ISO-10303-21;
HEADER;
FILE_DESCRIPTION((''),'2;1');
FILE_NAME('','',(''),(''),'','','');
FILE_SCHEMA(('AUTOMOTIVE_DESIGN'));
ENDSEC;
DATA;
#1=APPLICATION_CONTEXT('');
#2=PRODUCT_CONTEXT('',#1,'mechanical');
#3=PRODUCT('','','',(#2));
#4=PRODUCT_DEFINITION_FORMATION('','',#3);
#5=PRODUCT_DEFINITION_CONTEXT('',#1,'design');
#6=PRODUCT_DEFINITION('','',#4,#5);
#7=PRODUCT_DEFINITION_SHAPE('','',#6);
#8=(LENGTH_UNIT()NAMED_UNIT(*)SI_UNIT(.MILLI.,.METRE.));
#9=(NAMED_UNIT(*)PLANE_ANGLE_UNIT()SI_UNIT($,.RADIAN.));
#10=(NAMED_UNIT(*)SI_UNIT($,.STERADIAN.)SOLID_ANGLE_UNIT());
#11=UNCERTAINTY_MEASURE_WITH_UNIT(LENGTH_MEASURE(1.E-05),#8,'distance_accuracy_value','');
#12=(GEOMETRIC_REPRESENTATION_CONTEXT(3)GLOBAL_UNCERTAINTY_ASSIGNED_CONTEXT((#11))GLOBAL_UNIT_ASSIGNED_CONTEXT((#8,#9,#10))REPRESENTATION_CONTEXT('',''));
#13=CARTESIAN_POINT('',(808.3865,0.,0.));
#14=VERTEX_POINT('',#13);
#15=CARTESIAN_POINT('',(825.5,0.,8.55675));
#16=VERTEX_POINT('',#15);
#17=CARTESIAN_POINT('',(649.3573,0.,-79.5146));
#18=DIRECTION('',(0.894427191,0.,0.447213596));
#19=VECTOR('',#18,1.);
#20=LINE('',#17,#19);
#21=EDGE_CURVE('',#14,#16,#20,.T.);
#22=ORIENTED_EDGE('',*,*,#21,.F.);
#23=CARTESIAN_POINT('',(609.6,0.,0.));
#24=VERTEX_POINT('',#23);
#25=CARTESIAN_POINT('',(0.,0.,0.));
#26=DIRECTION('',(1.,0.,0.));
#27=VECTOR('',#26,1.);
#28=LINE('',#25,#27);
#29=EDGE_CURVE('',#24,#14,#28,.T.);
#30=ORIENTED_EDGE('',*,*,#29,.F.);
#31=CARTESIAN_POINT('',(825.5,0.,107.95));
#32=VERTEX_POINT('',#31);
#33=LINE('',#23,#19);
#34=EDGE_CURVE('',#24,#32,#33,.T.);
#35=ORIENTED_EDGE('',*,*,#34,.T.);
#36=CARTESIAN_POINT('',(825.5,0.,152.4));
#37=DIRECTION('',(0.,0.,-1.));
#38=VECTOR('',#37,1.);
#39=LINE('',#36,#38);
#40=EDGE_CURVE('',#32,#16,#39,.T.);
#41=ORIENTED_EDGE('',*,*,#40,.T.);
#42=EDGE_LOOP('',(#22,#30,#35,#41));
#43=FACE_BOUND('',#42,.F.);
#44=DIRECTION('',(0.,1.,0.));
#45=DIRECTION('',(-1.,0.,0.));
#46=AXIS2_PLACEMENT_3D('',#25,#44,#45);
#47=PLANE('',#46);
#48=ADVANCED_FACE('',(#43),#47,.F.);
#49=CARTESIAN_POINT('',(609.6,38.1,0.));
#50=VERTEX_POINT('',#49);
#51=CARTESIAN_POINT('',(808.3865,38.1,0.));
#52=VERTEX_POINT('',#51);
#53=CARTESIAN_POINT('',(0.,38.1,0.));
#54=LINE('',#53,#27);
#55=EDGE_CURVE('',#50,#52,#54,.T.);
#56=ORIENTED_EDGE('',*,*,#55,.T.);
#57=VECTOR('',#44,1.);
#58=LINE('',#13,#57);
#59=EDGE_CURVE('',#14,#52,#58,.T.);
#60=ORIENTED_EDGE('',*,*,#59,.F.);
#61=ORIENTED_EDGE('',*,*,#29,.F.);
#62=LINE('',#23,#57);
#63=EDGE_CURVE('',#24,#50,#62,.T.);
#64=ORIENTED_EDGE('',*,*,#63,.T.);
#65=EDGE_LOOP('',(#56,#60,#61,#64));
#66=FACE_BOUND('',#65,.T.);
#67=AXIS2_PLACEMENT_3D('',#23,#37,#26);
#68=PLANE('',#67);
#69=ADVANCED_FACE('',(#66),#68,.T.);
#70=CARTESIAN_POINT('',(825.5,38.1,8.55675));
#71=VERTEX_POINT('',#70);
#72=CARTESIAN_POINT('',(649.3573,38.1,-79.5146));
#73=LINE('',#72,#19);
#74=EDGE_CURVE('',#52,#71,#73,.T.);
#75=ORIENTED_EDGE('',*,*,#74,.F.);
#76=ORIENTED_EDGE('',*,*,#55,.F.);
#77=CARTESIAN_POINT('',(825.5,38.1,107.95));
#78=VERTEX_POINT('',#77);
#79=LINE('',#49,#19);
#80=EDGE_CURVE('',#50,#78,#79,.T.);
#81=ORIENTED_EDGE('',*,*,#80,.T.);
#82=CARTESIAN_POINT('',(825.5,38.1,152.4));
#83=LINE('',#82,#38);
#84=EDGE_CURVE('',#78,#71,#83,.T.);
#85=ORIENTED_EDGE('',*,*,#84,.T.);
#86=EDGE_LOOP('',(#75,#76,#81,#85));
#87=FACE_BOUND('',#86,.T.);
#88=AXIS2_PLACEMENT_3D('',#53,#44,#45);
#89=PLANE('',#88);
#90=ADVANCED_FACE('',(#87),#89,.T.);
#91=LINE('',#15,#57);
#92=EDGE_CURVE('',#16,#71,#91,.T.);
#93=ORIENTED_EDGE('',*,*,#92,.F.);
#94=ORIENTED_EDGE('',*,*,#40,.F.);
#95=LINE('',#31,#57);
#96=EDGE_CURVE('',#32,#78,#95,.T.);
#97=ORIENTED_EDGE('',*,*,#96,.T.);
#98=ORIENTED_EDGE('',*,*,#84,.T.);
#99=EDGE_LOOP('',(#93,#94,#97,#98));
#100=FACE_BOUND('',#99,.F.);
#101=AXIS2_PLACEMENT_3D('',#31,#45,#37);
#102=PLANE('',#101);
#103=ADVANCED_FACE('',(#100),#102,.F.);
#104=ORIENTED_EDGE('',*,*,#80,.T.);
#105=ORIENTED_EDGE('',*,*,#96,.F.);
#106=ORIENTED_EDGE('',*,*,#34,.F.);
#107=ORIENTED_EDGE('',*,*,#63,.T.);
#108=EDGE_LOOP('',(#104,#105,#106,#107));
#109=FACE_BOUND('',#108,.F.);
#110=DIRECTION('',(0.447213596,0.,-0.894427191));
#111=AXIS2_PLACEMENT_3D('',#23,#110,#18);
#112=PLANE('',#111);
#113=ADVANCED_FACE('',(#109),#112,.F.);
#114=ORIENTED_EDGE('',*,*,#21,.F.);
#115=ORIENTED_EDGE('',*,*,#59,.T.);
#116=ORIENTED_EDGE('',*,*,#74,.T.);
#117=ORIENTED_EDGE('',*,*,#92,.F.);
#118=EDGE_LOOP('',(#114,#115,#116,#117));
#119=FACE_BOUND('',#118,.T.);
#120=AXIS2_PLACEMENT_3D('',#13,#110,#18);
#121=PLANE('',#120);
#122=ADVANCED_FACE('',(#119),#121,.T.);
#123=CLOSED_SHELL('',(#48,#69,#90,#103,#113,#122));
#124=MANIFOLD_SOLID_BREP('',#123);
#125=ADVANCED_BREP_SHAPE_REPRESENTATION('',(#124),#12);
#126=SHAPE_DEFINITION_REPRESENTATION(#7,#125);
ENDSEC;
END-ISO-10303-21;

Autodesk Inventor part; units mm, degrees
ref_plane "YZ Plane" through (0, 0, 0) normal (1, 0, 0) x (0, 1, 0)
ref_plane "XZ Plane" through (0, 0, 0) normal (0, 1, 0) x (-1, 0, 0)
ref_plane "XY Plane" through (0, 0, 0) normal (0, 0, 1) x (1, 0, 0)
sketch "Sketch1" plane through (0, 0, 0) normal (0, 1, 0) x (-1, 0, 0)
  line L0 (0, 0) -> (-914.4, 0)
  line L1 (-914.4, 0) -> (-914.4, -762)
  line L2 (-914.4, 0) -> (-914.4, 152.4)
  line L3 (0, 0) -> (0, 304.8)
  line L4 (0, 0) -> (-609.6, 0)
  line L5 (-609.6, 0) -> (0, 304.8)
  line L6 (-609.6, 0) -> (-914.4, 152.4)
  line L7 (-914.4, 152.4) -> (-825.5, 152.4)
  line L8 (-825.5, 152.4) -> (-825.5, 0)
  line L9 (-825.5, 0) -> (-825.5, -762)
  line L10 (-825.5, -762) -> (-914.4, -762)
  line L11 (-609.6, 0) -> (-649.3573, -79.5146)
  line L12 (-914.4, 152.4) -> (-954.1573, 72.8854)
  line L13 (-649.3573, -79.5146) -> (-954.1573, 72.8854)
  line L14 (-609.6, 0) -> (-569.8427, -79.5146)
  line L15 (0, 304.8) -> (39.7573, 225.2854)
  line L16 (39.7573, 225.2854) -> (-569.8427, -79.5146)
  point P0 (-410.8136, 0)
  point P1 (0, 205.4068)
  point P2 (-825.5, 8.5568)
  point P3 (-808.3864, 0)
  point P4 (-825.5, 107.95)
  dimension "d0" = 914.4
  dimension "d1" = 762
  dimension "d2" = 152.4
  dimension "d3" = 304.8
  dimension "d4" = 609.6
  dimension "d5" = 88.9
  dimension "d6" = 88.9
  dimension "d7" = 88.9
  dimension "d8" = 88.9
  dimension "d9" = 88.9
extrude "Extrusion1" add sketch "Sketch1" along normal blind 38.1 contours L13 L8 L6 L0
properties part number "S_2x4x9.503"
